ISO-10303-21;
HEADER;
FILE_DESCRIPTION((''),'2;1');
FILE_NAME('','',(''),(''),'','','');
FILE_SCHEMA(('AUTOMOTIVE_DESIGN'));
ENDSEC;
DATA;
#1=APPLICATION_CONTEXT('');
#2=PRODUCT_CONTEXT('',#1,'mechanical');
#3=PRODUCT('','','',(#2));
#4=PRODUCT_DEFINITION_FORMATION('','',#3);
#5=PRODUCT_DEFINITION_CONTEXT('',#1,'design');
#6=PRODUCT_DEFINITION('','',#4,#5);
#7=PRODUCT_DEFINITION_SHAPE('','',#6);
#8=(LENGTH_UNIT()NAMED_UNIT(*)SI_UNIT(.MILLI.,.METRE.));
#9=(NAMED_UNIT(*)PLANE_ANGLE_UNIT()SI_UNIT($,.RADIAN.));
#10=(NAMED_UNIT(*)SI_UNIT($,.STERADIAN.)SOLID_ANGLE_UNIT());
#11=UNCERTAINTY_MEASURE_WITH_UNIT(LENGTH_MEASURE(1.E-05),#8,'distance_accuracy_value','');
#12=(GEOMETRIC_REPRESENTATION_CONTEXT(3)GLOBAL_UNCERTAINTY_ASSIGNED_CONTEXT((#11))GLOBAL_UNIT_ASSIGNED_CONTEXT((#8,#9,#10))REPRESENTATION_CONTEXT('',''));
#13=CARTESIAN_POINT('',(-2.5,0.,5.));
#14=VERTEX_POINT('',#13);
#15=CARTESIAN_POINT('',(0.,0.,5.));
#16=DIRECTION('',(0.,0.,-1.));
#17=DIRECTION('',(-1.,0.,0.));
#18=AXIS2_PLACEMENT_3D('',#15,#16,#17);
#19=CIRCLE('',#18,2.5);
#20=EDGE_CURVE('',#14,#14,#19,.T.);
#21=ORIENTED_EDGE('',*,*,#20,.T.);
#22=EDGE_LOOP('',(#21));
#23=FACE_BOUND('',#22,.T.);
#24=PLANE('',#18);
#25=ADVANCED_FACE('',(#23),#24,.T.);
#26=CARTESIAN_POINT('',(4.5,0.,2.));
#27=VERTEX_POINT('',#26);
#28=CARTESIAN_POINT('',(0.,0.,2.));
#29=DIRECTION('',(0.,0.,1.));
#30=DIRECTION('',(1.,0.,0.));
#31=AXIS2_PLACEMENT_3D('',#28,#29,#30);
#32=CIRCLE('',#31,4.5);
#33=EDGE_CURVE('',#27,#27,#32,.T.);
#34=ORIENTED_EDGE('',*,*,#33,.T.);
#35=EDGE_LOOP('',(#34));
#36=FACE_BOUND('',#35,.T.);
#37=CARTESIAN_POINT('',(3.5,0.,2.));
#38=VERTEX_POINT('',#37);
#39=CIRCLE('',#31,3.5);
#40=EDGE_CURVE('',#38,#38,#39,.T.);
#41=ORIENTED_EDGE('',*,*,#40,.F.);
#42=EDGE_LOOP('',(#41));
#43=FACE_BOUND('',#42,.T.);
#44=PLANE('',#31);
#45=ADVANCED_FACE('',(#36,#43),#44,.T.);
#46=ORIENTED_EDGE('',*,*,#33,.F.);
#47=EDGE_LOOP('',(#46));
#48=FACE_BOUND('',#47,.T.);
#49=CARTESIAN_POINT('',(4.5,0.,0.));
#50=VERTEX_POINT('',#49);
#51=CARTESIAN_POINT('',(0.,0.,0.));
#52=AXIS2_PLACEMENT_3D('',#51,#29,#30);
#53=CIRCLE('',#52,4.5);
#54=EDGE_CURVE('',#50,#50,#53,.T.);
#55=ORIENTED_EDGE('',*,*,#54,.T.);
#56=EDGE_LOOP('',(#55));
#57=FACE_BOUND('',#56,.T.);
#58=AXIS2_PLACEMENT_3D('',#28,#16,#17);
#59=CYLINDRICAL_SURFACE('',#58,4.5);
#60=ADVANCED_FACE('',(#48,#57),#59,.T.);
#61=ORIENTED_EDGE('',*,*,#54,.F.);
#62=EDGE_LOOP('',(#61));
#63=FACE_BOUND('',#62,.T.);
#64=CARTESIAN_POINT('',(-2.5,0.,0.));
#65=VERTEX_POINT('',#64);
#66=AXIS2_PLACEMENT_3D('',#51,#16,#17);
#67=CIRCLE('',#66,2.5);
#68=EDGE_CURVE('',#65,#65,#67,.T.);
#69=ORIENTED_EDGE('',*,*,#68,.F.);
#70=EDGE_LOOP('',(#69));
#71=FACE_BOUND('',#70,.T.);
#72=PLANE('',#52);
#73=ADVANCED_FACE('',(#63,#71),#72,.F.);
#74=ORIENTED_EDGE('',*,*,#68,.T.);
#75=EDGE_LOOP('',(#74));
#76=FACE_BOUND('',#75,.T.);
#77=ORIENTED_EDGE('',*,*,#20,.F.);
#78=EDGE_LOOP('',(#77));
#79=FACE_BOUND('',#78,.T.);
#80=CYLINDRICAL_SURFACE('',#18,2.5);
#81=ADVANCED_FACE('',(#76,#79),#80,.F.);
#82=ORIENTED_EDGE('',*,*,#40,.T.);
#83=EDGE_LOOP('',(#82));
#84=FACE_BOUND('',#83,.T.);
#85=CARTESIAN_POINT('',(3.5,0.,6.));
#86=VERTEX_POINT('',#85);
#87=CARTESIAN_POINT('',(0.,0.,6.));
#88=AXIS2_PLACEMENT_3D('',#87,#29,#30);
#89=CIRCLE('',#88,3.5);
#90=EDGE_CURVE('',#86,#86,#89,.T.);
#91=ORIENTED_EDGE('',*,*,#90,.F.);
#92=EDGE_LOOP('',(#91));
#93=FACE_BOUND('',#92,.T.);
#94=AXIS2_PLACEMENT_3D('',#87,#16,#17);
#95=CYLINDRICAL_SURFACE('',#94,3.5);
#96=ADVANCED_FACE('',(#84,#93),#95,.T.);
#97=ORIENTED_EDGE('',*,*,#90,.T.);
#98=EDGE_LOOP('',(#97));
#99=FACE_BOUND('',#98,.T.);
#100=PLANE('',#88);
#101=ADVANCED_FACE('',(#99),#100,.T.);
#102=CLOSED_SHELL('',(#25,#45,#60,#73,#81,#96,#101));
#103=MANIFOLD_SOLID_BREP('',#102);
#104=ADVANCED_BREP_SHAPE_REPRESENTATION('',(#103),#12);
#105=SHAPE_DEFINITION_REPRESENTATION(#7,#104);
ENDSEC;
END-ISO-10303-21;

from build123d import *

# Parameters (mm, degrees)
SKETCH_1_R          = 4.5
EXTRUDE_1_DEPTH     = 2
SKETCH_2_R          = 3.5
EXTRUDE_2_DEPTH     = 4
SKETCH_3_R          = 2.5
CUT_EXTRUDE_1_DEPTH = 5


with BuildPart() as part:
    # Эскиз1 → Бобышка-Вытянуть1 (new body)
    with BuildSketch(Plane.XY):
        Circle(SKETCH_1_R)
    extrude(amount=EXTRUDE_1_DEPTH)

    # Эскиз2 → Бобышка-Вытянуть2 (add)
    with BuildSketch(Plane.XY.offset(2)):
        Circle(SKETCH_2_R)
    extrude(amount=EXTRUDE_2_DEPTH)

    # Эскиз3 → Вырез-Вытянуть1 (cut)
    with BuildSketch(Plane(origin=(0, 0, 0), x_dir=(-1, 0, 0), z_dir=(0, 0, -1))):
        Circle(SKETCH_3_R)
    extrude(amount=-CUT_EXTRUDE_1_DEPTH, mode=Mode.SUBTRACT)


solid = part.part
